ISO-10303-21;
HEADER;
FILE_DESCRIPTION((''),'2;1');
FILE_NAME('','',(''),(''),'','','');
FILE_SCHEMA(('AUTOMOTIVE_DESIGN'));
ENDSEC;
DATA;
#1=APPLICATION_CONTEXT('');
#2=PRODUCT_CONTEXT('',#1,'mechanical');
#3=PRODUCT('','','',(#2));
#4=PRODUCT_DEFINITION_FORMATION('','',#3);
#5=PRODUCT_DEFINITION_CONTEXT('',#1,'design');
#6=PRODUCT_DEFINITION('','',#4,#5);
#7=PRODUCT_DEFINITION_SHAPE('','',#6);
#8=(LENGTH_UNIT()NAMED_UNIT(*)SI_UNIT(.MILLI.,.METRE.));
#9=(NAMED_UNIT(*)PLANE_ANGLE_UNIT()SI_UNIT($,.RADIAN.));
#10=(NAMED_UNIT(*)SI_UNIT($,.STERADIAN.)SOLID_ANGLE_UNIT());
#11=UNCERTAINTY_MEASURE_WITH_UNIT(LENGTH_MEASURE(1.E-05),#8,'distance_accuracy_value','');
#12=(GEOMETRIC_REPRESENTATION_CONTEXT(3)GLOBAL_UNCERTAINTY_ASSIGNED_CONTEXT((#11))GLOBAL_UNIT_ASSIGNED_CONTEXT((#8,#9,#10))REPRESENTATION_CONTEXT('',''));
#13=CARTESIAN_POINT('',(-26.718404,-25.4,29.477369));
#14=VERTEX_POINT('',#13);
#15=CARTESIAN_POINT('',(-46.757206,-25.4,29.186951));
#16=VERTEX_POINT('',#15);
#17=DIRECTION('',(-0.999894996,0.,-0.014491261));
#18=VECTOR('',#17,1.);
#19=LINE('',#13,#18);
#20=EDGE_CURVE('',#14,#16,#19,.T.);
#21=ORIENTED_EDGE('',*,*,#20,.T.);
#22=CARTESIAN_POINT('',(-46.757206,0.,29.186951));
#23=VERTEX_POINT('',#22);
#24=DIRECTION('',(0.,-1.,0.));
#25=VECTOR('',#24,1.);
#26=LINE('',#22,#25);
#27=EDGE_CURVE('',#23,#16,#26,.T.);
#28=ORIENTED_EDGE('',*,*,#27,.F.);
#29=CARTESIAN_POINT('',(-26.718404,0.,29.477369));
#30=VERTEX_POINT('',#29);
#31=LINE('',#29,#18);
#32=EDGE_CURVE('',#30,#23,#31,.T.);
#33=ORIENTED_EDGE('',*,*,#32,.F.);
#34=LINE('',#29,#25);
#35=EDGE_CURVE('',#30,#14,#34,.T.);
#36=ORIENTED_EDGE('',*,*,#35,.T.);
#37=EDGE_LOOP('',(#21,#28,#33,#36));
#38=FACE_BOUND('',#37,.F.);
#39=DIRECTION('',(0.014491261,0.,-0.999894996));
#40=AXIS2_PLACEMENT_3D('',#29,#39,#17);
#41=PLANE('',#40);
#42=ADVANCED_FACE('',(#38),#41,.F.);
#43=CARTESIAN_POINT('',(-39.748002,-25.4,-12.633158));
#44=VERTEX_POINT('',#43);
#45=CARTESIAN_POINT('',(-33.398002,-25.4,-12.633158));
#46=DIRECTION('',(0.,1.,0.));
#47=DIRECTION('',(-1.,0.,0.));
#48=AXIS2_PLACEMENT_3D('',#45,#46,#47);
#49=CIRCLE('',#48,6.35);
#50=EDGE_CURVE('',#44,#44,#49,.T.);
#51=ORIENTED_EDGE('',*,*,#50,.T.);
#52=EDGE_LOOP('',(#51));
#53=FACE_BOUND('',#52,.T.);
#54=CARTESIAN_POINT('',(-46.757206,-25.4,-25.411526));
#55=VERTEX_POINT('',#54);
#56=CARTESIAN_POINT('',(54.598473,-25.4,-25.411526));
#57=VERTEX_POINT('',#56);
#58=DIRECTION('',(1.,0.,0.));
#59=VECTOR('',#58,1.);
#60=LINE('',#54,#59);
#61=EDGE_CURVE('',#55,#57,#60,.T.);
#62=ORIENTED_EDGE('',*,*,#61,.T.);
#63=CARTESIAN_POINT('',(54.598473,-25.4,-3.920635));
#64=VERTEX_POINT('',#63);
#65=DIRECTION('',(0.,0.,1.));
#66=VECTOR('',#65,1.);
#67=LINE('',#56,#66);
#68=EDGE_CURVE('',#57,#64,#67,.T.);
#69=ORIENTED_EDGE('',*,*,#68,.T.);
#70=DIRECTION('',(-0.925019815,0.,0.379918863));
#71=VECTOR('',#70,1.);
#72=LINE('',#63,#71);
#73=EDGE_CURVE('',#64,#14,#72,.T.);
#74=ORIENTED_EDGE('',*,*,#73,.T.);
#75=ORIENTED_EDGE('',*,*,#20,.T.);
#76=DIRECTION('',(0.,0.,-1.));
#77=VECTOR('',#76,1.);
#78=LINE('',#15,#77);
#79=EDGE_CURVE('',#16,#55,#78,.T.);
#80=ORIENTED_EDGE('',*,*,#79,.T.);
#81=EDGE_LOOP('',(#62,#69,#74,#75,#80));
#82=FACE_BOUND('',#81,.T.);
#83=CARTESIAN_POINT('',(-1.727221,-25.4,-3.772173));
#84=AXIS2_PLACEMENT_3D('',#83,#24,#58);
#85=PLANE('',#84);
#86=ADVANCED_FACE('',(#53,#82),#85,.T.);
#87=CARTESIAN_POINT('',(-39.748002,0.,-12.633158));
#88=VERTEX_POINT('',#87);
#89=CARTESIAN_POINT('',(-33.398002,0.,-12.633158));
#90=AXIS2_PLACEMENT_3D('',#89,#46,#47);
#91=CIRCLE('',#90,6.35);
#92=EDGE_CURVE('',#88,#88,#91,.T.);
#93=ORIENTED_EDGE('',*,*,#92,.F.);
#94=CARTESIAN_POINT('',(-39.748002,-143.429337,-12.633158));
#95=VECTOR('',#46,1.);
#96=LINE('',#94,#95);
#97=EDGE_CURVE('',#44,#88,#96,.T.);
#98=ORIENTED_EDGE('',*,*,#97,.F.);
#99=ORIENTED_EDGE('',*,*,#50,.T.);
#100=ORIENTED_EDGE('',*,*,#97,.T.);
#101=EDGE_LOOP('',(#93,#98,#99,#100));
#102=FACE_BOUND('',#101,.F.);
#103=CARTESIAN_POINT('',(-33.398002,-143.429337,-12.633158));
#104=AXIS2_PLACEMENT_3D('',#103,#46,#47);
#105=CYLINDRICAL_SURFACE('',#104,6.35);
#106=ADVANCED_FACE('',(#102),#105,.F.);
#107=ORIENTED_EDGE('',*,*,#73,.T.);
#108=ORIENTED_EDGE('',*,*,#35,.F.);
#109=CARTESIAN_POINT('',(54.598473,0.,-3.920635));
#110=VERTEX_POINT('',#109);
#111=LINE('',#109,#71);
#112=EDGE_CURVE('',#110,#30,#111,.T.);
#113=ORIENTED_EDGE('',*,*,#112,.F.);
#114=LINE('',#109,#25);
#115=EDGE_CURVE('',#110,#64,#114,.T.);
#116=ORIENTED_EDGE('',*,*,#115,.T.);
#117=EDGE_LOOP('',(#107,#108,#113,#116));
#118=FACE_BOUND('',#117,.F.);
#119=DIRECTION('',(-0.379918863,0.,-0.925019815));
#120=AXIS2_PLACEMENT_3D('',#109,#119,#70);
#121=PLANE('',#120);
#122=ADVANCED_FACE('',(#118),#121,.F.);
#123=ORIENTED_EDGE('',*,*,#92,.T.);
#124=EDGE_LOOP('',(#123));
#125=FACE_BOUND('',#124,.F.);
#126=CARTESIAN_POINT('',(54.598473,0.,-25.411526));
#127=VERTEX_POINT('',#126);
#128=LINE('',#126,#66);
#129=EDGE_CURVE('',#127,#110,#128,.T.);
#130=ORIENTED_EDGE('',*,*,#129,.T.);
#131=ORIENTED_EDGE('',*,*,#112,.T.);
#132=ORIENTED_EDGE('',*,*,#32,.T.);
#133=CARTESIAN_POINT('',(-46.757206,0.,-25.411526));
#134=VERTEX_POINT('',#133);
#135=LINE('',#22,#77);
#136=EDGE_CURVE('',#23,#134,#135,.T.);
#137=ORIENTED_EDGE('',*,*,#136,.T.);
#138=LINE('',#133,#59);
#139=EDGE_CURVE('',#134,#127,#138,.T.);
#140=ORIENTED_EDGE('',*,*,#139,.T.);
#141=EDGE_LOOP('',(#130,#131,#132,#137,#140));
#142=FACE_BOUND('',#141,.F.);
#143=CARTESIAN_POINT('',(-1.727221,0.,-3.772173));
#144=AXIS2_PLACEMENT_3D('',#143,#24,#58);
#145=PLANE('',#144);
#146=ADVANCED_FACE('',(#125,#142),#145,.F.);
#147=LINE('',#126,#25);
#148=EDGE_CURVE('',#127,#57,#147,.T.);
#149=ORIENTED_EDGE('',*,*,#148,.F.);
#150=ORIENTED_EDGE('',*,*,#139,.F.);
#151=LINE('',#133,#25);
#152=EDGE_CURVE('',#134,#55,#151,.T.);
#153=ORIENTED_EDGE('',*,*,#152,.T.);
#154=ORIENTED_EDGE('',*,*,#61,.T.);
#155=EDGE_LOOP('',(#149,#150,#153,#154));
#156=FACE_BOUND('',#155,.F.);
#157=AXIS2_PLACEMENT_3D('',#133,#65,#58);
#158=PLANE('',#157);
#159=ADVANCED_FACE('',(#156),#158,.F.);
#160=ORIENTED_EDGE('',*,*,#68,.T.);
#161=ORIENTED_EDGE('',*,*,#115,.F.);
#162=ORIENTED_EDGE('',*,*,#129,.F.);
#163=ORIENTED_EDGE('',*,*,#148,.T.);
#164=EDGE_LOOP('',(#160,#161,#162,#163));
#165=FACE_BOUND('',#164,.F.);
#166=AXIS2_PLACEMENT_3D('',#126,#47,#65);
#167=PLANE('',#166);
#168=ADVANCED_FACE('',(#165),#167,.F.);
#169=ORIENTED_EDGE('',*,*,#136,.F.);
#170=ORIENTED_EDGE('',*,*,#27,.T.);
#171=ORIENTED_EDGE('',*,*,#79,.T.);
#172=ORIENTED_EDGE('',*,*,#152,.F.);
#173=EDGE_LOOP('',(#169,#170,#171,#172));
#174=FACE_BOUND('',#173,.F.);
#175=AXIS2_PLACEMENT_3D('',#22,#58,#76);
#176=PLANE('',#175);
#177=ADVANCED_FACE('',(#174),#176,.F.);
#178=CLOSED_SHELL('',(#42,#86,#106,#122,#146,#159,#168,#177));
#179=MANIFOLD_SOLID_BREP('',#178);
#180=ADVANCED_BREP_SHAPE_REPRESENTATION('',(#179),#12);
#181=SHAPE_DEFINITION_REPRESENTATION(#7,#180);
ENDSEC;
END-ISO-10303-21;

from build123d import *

# Parameters (mm, degrees)
F1_DEPTH = 25.4
F3_D     = 12.7


with BuildPart() as f1:
    # F0 (on Front) → F1 (new body)
    with BuildSketch(Plane.XZ):
        Polygon((-26.718404, 29.477369), (-46.757206, 29.186951), (-46.757206, -25.411526), (54.598473, -25.411526), (54.598473, -3.920635), align=None)
    extrude(amount=F1_DEPTH)

    # F3 (through all)
    with Locations(Plane.XZ.offset(25.4)):
        with Locations((-33.398002, -12.633158)):
            Hole(F3_D / 2)


solid = f1.part
